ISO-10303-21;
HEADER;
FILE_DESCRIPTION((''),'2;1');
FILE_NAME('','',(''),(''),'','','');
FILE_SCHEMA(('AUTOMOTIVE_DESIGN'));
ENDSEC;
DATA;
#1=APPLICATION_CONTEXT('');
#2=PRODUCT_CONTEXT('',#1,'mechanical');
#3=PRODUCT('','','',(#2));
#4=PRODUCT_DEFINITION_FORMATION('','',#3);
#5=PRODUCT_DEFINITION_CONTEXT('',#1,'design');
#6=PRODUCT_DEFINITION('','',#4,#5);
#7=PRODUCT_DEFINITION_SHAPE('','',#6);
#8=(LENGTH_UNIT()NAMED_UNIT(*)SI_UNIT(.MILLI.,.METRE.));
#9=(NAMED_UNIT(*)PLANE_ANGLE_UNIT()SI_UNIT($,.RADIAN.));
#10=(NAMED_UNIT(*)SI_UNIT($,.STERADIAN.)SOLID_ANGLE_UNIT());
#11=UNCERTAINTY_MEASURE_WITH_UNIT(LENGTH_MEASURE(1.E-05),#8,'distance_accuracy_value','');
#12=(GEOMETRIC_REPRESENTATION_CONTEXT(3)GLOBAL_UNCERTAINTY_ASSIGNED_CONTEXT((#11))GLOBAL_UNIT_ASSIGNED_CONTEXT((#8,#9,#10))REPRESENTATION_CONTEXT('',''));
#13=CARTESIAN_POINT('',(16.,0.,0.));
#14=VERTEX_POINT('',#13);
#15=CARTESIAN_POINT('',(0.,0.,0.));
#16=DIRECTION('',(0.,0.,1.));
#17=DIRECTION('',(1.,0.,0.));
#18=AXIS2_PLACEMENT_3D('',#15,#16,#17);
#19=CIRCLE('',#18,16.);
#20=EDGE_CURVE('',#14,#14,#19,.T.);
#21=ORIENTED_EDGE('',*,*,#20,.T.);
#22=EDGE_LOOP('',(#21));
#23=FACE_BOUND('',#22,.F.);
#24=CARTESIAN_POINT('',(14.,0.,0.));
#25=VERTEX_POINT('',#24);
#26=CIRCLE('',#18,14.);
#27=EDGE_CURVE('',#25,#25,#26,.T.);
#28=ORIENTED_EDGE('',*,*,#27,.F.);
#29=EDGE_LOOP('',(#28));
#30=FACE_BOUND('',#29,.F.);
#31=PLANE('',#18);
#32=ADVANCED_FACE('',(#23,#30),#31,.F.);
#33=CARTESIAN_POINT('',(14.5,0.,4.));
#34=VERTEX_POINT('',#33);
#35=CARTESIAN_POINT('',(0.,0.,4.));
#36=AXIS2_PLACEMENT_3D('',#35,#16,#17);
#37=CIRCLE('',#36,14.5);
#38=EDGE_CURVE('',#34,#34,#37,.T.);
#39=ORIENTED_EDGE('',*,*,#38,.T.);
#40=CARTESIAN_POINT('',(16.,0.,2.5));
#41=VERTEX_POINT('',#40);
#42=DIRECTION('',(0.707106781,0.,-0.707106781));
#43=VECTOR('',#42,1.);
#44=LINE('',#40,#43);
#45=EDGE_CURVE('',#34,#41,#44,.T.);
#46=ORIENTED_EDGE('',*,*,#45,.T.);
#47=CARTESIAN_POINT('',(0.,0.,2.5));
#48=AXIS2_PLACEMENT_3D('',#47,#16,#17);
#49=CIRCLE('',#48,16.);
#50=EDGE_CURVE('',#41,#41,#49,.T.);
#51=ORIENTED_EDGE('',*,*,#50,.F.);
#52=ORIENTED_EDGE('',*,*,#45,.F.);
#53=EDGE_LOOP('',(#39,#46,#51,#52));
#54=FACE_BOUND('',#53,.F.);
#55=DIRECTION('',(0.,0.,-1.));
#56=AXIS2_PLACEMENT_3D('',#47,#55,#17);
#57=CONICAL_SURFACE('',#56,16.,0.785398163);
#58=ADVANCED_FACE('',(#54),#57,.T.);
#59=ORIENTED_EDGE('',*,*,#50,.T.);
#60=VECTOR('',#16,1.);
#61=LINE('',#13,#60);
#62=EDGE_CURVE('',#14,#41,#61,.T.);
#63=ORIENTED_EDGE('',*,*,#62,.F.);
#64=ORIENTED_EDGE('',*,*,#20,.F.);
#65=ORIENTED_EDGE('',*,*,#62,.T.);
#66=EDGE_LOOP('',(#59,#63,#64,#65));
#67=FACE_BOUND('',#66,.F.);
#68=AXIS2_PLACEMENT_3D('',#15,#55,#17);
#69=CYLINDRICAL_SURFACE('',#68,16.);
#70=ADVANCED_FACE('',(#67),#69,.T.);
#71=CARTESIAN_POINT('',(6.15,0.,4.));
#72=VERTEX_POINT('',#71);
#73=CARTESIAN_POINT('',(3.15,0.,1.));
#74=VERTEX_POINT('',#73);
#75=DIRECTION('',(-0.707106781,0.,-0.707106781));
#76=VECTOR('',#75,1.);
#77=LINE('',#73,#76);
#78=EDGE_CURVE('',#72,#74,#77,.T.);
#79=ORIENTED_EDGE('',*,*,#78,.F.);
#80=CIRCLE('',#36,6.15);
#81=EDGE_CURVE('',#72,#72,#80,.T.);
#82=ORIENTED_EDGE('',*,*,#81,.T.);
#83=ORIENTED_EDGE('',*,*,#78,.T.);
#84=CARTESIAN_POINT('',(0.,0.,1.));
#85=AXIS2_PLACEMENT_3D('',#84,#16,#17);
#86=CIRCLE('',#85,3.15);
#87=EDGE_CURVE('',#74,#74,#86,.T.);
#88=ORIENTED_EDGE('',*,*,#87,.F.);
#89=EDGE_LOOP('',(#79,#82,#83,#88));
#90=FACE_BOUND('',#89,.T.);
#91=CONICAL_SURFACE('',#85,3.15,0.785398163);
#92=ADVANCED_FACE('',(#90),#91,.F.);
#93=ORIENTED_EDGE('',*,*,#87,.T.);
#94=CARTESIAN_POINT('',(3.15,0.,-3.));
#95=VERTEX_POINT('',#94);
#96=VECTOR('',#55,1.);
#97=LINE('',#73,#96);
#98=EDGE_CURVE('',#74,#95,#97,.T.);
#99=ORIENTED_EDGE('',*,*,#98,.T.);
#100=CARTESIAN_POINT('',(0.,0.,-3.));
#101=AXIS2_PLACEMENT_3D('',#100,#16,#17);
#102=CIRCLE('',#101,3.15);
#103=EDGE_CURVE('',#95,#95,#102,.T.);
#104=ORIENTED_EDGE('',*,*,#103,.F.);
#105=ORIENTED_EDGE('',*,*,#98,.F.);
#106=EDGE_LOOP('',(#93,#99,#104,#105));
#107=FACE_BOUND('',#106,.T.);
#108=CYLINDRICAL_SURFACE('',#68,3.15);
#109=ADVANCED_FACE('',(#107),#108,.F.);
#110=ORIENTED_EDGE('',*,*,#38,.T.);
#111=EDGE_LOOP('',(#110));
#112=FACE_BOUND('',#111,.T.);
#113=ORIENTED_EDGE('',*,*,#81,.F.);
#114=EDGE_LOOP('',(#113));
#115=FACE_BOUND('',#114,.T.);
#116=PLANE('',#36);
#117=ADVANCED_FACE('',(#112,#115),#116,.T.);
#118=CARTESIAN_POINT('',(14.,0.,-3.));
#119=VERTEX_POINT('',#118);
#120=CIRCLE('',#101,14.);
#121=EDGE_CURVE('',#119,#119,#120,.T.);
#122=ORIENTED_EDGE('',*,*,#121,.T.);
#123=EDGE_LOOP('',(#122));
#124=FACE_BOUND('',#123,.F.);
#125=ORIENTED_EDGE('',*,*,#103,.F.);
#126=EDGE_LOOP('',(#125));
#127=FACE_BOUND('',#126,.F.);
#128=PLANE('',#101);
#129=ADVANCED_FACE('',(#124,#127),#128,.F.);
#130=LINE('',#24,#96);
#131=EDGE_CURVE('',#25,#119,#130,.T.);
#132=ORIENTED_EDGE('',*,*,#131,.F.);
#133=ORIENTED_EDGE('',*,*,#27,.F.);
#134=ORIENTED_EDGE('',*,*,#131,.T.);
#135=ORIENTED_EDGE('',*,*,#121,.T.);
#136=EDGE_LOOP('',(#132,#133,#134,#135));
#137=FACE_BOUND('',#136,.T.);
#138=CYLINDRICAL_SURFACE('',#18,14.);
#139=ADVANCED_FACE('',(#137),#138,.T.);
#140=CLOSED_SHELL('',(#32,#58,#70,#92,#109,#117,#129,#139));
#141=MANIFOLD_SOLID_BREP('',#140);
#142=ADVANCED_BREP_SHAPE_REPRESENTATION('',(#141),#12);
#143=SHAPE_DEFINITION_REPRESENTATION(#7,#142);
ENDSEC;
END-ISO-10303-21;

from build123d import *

# Parameters (mm, degrees)
F0_R     = 16
F0_R_2   = 14
F0_R_3   = 3.15
F1_DEPTH = 4
F2_DEPTH = 3
F3_SIZE  = 3
F4_SIZE  = 1.5


with BuildPart() as f1:
    # F0 (on Top) → F1 (new body)
    with BuildSketch(Plane.XY):
        Circle(F0_R)
        Circle(F0_R_2, mode=Mode.SUBTRACT)
        Circle(F0_R_2)
        Circle(F0_R_3, mode=Mode.SUBTRACT)
    extrude(amount=F1_DEPTH)

    # F0 (on Top) → F2 (join)
    with BuildSketch(Plane.XY):
        Circle(F0_R_2)
        Circle(F0_R_3, mode=Mode.SUBTRACT)
    extrude(amount=-F2_DEPTH)

    # F3
    f3_edges = [f1.edges().sort_by_distance(p)[0] for p in [
        (-3.15, 0, 4),
    ]]
    chamfer(f3_edges, length=F3_SIZE)

    # F4
    f4_edges = [f1.edges().sort_by_distance(p)[0] for p in [
        (-16, 0, 4),
    ]]
    chamfer(f4_edges, length=F4_SIZE)


solid = f1.part
